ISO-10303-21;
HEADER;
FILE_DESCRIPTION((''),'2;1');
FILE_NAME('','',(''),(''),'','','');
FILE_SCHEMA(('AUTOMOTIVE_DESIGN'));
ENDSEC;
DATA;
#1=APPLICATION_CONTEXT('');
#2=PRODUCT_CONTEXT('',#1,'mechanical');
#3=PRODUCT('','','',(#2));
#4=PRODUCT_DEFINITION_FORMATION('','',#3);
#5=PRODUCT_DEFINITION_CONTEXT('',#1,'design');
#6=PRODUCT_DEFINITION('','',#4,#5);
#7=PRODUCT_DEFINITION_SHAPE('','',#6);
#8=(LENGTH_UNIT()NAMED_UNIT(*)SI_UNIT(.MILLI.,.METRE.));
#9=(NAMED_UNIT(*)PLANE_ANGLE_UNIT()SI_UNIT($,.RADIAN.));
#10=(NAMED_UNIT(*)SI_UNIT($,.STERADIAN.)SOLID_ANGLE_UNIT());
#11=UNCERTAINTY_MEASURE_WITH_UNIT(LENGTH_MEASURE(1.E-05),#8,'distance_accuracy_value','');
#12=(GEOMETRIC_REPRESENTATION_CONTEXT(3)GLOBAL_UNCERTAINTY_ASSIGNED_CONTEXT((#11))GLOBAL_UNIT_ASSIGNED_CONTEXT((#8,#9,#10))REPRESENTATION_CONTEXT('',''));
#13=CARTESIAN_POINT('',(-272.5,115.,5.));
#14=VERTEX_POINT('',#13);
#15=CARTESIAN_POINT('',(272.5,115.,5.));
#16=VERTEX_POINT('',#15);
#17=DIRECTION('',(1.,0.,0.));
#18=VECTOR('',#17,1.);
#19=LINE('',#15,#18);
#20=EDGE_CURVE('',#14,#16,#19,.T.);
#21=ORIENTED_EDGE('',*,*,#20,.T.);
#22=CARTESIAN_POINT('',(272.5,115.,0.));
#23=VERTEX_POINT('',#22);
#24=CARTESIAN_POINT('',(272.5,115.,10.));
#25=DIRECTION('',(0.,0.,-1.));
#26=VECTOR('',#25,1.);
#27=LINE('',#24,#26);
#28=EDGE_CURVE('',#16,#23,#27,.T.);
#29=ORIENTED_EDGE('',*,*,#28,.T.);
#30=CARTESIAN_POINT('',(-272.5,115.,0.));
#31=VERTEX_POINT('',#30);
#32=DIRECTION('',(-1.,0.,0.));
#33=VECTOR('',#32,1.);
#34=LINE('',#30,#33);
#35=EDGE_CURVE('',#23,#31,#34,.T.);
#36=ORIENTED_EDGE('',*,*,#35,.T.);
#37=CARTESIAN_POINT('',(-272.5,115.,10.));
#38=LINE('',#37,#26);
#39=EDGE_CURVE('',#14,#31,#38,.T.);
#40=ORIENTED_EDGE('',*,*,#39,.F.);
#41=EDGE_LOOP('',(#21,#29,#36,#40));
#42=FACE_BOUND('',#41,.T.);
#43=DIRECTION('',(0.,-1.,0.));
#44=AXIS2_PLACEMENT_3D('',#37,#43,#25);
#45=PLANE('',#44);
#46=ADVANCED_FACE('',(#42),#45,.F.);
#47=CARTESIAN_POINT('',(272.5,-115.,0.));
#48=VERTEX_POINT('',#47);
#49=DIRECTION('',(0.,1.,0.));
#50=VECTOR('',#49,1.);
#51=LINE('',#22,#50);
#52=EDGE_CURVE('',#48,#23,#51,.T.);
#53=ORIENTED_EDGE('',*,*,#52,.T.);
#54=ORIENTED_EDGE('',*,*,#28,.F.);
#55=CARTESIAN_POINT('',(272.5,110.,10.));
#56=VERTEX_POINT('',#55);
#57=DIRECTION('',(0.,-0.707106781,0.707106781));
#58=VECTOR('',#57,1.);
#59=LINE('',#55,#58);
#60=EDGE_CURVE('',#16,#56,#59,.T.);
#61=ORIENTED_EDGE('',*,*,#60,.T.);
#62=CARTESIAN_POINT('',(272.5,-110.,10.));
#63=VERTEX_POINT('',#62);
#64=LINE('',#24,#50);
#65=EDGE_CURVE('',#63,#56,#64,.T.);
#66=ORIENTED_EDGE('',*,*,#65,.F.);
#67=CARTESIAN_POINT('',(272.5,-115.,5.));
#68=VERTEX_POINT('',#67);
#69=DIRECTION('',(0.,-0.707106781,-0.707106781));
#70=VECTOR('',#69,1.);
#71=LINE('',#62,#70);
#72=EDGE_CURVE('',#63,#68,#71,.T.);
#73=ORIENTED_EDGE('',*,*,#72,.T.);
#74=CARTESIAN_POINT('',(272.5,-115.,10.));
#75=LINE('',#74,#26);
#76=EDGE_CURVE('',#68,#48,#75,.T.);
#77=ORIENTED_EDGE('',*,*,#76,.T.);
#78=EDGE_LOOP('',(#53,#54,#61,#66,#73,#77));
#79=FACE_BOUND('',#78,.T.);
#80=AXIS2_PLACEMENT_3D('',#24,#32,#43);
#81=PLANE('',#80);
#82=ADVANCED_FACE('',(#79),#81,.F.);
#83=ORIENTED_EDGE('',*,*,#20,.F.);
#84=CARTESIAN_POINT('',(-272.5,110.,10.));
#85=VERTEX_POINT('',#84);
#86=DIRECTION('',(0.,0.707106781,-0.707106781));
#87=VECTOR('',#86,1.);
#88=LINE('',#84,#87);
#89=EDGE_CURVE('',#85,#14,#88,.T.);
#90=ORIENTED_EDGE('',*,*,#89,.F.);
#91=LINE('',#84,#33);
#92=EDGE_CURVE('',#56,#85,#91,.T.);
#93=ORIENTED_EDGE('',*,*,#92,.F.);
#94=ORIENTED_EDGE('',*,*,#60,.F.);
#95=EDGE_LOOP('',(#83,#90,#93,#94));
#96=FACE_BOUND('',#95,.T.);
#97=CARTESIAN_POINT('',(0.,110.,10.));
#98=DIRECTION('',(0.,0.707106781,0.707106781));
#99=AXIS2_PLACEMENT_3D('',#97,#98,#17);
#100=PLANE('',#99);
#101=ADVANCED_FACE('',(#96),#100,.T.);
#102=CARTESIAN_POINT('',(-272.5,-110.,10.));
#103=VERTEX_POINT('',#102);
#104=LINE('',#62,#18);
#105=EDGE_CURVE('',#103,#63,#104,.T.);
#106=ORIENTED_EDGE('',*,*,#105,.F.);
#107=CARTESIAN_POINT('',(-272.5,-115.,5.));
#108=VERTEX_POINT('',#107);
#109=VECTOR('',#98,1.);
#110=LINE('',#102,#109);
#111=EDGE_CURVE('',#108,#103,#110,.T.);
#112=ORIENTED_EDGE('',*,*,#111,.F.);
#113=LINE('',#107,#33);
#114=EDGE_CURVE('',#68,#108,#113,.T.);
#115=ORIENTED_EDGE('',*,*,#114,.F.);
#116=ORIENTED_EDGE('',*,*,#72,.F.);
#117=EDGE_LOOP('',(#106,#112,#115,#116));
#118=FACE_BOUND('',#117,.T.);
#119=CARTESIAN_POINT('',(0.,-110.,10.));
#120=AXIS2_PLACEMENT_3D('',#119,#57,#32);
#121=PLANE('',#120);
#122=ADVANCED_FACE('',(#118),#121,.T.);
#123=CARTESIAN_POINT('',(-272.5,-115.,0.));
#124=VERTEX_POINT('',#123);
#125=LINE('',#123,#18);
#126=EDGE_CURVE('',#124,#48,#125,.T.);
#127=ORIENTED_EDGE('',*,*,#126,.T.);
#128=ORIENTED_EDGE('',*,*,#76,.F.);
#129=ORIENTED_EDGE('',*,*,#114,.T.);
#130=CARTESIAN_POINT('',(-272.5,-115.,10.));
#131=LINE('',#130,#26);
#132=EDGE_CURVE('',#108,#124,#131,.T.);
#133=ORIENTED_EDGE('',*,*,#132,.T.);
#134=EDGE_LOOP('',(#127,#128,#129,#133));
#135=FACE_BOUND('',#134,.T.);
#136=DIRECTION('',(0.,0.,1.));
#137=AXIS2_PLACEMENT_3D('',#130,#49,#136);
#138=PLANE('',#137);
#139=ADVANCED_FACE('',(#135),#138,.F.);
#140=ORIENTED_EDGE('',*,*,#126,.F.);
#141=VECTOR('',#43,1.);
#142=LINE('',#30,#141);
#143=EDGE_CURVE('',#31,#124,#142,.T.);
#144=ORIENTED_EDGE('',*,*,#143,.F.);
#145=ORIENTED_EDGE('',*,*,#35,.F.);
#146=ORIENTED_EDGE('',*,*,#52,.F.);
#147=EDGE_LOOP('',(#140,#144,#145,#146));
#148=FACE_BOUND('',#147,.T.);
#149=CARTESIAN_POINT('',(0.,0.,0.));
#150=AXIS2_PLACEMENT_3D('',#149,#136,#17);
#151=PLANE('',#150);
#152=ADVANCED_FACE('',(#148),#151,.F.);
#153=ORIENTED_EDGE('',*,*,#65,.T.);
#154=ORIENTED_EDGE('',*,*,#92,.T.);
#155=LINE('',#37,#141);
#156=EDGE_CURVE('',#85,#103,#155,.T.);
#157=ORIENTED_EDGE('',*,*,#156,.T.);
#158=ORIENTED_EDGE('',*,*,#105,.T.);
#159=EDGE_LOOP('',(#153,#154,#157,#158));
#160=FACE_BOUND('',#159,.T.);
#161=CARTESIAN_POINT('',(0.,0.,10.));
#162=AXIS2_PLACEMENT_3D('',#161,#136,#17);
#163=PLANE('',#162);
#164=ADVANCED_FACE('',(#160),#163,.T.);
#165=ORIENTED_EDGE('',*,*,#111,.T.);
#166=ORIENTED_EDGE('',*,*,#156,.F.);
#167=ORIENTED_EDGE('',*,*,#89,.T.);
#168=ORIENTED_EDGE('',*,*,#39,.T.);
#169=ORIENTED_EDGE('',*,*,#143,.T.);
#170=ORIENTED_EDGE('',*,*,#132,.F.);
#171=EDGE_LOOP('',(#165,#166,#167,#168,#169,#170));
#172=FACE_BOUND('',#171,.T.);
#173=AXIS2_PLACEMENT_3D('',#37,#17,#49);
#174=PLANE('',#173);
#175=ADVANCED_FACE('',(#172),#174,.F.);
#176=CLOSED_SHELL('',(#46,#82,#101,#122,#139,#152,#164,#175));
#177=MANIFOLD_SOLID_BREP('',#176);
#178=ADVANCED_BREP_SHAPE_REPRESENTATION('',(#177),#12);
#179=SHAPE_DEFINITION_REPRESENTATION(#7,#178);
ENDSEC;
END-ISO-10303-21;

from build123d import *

# Parameters (mm, degrees)
SKETCH_1_W      = 545
SKETCH_1_H      = 230
EXTRUDE_1_DEPTH = 10
CHAMFER_1_SIZE  = 5


with BuildPart() as part:
    # 草图1 → 凸台-拉伸1 (new body)
    with BuildSketch(Plane.XY):
        Rectangle(SKETCH_1_W, SKETCH_1_H)
    extrude(amount=EXTRUDE_1_DEPTH)

    # 倒角1
    chamfer_1_edges = [part.edges().sort_by_distance(p)[0] for p in [
        (0, -115, 10),
        (0, 115, 10),
    ]]
    chamfer(chamfer_1_edges, length=CHAMFER_1_SIZE)


solid = part.part
